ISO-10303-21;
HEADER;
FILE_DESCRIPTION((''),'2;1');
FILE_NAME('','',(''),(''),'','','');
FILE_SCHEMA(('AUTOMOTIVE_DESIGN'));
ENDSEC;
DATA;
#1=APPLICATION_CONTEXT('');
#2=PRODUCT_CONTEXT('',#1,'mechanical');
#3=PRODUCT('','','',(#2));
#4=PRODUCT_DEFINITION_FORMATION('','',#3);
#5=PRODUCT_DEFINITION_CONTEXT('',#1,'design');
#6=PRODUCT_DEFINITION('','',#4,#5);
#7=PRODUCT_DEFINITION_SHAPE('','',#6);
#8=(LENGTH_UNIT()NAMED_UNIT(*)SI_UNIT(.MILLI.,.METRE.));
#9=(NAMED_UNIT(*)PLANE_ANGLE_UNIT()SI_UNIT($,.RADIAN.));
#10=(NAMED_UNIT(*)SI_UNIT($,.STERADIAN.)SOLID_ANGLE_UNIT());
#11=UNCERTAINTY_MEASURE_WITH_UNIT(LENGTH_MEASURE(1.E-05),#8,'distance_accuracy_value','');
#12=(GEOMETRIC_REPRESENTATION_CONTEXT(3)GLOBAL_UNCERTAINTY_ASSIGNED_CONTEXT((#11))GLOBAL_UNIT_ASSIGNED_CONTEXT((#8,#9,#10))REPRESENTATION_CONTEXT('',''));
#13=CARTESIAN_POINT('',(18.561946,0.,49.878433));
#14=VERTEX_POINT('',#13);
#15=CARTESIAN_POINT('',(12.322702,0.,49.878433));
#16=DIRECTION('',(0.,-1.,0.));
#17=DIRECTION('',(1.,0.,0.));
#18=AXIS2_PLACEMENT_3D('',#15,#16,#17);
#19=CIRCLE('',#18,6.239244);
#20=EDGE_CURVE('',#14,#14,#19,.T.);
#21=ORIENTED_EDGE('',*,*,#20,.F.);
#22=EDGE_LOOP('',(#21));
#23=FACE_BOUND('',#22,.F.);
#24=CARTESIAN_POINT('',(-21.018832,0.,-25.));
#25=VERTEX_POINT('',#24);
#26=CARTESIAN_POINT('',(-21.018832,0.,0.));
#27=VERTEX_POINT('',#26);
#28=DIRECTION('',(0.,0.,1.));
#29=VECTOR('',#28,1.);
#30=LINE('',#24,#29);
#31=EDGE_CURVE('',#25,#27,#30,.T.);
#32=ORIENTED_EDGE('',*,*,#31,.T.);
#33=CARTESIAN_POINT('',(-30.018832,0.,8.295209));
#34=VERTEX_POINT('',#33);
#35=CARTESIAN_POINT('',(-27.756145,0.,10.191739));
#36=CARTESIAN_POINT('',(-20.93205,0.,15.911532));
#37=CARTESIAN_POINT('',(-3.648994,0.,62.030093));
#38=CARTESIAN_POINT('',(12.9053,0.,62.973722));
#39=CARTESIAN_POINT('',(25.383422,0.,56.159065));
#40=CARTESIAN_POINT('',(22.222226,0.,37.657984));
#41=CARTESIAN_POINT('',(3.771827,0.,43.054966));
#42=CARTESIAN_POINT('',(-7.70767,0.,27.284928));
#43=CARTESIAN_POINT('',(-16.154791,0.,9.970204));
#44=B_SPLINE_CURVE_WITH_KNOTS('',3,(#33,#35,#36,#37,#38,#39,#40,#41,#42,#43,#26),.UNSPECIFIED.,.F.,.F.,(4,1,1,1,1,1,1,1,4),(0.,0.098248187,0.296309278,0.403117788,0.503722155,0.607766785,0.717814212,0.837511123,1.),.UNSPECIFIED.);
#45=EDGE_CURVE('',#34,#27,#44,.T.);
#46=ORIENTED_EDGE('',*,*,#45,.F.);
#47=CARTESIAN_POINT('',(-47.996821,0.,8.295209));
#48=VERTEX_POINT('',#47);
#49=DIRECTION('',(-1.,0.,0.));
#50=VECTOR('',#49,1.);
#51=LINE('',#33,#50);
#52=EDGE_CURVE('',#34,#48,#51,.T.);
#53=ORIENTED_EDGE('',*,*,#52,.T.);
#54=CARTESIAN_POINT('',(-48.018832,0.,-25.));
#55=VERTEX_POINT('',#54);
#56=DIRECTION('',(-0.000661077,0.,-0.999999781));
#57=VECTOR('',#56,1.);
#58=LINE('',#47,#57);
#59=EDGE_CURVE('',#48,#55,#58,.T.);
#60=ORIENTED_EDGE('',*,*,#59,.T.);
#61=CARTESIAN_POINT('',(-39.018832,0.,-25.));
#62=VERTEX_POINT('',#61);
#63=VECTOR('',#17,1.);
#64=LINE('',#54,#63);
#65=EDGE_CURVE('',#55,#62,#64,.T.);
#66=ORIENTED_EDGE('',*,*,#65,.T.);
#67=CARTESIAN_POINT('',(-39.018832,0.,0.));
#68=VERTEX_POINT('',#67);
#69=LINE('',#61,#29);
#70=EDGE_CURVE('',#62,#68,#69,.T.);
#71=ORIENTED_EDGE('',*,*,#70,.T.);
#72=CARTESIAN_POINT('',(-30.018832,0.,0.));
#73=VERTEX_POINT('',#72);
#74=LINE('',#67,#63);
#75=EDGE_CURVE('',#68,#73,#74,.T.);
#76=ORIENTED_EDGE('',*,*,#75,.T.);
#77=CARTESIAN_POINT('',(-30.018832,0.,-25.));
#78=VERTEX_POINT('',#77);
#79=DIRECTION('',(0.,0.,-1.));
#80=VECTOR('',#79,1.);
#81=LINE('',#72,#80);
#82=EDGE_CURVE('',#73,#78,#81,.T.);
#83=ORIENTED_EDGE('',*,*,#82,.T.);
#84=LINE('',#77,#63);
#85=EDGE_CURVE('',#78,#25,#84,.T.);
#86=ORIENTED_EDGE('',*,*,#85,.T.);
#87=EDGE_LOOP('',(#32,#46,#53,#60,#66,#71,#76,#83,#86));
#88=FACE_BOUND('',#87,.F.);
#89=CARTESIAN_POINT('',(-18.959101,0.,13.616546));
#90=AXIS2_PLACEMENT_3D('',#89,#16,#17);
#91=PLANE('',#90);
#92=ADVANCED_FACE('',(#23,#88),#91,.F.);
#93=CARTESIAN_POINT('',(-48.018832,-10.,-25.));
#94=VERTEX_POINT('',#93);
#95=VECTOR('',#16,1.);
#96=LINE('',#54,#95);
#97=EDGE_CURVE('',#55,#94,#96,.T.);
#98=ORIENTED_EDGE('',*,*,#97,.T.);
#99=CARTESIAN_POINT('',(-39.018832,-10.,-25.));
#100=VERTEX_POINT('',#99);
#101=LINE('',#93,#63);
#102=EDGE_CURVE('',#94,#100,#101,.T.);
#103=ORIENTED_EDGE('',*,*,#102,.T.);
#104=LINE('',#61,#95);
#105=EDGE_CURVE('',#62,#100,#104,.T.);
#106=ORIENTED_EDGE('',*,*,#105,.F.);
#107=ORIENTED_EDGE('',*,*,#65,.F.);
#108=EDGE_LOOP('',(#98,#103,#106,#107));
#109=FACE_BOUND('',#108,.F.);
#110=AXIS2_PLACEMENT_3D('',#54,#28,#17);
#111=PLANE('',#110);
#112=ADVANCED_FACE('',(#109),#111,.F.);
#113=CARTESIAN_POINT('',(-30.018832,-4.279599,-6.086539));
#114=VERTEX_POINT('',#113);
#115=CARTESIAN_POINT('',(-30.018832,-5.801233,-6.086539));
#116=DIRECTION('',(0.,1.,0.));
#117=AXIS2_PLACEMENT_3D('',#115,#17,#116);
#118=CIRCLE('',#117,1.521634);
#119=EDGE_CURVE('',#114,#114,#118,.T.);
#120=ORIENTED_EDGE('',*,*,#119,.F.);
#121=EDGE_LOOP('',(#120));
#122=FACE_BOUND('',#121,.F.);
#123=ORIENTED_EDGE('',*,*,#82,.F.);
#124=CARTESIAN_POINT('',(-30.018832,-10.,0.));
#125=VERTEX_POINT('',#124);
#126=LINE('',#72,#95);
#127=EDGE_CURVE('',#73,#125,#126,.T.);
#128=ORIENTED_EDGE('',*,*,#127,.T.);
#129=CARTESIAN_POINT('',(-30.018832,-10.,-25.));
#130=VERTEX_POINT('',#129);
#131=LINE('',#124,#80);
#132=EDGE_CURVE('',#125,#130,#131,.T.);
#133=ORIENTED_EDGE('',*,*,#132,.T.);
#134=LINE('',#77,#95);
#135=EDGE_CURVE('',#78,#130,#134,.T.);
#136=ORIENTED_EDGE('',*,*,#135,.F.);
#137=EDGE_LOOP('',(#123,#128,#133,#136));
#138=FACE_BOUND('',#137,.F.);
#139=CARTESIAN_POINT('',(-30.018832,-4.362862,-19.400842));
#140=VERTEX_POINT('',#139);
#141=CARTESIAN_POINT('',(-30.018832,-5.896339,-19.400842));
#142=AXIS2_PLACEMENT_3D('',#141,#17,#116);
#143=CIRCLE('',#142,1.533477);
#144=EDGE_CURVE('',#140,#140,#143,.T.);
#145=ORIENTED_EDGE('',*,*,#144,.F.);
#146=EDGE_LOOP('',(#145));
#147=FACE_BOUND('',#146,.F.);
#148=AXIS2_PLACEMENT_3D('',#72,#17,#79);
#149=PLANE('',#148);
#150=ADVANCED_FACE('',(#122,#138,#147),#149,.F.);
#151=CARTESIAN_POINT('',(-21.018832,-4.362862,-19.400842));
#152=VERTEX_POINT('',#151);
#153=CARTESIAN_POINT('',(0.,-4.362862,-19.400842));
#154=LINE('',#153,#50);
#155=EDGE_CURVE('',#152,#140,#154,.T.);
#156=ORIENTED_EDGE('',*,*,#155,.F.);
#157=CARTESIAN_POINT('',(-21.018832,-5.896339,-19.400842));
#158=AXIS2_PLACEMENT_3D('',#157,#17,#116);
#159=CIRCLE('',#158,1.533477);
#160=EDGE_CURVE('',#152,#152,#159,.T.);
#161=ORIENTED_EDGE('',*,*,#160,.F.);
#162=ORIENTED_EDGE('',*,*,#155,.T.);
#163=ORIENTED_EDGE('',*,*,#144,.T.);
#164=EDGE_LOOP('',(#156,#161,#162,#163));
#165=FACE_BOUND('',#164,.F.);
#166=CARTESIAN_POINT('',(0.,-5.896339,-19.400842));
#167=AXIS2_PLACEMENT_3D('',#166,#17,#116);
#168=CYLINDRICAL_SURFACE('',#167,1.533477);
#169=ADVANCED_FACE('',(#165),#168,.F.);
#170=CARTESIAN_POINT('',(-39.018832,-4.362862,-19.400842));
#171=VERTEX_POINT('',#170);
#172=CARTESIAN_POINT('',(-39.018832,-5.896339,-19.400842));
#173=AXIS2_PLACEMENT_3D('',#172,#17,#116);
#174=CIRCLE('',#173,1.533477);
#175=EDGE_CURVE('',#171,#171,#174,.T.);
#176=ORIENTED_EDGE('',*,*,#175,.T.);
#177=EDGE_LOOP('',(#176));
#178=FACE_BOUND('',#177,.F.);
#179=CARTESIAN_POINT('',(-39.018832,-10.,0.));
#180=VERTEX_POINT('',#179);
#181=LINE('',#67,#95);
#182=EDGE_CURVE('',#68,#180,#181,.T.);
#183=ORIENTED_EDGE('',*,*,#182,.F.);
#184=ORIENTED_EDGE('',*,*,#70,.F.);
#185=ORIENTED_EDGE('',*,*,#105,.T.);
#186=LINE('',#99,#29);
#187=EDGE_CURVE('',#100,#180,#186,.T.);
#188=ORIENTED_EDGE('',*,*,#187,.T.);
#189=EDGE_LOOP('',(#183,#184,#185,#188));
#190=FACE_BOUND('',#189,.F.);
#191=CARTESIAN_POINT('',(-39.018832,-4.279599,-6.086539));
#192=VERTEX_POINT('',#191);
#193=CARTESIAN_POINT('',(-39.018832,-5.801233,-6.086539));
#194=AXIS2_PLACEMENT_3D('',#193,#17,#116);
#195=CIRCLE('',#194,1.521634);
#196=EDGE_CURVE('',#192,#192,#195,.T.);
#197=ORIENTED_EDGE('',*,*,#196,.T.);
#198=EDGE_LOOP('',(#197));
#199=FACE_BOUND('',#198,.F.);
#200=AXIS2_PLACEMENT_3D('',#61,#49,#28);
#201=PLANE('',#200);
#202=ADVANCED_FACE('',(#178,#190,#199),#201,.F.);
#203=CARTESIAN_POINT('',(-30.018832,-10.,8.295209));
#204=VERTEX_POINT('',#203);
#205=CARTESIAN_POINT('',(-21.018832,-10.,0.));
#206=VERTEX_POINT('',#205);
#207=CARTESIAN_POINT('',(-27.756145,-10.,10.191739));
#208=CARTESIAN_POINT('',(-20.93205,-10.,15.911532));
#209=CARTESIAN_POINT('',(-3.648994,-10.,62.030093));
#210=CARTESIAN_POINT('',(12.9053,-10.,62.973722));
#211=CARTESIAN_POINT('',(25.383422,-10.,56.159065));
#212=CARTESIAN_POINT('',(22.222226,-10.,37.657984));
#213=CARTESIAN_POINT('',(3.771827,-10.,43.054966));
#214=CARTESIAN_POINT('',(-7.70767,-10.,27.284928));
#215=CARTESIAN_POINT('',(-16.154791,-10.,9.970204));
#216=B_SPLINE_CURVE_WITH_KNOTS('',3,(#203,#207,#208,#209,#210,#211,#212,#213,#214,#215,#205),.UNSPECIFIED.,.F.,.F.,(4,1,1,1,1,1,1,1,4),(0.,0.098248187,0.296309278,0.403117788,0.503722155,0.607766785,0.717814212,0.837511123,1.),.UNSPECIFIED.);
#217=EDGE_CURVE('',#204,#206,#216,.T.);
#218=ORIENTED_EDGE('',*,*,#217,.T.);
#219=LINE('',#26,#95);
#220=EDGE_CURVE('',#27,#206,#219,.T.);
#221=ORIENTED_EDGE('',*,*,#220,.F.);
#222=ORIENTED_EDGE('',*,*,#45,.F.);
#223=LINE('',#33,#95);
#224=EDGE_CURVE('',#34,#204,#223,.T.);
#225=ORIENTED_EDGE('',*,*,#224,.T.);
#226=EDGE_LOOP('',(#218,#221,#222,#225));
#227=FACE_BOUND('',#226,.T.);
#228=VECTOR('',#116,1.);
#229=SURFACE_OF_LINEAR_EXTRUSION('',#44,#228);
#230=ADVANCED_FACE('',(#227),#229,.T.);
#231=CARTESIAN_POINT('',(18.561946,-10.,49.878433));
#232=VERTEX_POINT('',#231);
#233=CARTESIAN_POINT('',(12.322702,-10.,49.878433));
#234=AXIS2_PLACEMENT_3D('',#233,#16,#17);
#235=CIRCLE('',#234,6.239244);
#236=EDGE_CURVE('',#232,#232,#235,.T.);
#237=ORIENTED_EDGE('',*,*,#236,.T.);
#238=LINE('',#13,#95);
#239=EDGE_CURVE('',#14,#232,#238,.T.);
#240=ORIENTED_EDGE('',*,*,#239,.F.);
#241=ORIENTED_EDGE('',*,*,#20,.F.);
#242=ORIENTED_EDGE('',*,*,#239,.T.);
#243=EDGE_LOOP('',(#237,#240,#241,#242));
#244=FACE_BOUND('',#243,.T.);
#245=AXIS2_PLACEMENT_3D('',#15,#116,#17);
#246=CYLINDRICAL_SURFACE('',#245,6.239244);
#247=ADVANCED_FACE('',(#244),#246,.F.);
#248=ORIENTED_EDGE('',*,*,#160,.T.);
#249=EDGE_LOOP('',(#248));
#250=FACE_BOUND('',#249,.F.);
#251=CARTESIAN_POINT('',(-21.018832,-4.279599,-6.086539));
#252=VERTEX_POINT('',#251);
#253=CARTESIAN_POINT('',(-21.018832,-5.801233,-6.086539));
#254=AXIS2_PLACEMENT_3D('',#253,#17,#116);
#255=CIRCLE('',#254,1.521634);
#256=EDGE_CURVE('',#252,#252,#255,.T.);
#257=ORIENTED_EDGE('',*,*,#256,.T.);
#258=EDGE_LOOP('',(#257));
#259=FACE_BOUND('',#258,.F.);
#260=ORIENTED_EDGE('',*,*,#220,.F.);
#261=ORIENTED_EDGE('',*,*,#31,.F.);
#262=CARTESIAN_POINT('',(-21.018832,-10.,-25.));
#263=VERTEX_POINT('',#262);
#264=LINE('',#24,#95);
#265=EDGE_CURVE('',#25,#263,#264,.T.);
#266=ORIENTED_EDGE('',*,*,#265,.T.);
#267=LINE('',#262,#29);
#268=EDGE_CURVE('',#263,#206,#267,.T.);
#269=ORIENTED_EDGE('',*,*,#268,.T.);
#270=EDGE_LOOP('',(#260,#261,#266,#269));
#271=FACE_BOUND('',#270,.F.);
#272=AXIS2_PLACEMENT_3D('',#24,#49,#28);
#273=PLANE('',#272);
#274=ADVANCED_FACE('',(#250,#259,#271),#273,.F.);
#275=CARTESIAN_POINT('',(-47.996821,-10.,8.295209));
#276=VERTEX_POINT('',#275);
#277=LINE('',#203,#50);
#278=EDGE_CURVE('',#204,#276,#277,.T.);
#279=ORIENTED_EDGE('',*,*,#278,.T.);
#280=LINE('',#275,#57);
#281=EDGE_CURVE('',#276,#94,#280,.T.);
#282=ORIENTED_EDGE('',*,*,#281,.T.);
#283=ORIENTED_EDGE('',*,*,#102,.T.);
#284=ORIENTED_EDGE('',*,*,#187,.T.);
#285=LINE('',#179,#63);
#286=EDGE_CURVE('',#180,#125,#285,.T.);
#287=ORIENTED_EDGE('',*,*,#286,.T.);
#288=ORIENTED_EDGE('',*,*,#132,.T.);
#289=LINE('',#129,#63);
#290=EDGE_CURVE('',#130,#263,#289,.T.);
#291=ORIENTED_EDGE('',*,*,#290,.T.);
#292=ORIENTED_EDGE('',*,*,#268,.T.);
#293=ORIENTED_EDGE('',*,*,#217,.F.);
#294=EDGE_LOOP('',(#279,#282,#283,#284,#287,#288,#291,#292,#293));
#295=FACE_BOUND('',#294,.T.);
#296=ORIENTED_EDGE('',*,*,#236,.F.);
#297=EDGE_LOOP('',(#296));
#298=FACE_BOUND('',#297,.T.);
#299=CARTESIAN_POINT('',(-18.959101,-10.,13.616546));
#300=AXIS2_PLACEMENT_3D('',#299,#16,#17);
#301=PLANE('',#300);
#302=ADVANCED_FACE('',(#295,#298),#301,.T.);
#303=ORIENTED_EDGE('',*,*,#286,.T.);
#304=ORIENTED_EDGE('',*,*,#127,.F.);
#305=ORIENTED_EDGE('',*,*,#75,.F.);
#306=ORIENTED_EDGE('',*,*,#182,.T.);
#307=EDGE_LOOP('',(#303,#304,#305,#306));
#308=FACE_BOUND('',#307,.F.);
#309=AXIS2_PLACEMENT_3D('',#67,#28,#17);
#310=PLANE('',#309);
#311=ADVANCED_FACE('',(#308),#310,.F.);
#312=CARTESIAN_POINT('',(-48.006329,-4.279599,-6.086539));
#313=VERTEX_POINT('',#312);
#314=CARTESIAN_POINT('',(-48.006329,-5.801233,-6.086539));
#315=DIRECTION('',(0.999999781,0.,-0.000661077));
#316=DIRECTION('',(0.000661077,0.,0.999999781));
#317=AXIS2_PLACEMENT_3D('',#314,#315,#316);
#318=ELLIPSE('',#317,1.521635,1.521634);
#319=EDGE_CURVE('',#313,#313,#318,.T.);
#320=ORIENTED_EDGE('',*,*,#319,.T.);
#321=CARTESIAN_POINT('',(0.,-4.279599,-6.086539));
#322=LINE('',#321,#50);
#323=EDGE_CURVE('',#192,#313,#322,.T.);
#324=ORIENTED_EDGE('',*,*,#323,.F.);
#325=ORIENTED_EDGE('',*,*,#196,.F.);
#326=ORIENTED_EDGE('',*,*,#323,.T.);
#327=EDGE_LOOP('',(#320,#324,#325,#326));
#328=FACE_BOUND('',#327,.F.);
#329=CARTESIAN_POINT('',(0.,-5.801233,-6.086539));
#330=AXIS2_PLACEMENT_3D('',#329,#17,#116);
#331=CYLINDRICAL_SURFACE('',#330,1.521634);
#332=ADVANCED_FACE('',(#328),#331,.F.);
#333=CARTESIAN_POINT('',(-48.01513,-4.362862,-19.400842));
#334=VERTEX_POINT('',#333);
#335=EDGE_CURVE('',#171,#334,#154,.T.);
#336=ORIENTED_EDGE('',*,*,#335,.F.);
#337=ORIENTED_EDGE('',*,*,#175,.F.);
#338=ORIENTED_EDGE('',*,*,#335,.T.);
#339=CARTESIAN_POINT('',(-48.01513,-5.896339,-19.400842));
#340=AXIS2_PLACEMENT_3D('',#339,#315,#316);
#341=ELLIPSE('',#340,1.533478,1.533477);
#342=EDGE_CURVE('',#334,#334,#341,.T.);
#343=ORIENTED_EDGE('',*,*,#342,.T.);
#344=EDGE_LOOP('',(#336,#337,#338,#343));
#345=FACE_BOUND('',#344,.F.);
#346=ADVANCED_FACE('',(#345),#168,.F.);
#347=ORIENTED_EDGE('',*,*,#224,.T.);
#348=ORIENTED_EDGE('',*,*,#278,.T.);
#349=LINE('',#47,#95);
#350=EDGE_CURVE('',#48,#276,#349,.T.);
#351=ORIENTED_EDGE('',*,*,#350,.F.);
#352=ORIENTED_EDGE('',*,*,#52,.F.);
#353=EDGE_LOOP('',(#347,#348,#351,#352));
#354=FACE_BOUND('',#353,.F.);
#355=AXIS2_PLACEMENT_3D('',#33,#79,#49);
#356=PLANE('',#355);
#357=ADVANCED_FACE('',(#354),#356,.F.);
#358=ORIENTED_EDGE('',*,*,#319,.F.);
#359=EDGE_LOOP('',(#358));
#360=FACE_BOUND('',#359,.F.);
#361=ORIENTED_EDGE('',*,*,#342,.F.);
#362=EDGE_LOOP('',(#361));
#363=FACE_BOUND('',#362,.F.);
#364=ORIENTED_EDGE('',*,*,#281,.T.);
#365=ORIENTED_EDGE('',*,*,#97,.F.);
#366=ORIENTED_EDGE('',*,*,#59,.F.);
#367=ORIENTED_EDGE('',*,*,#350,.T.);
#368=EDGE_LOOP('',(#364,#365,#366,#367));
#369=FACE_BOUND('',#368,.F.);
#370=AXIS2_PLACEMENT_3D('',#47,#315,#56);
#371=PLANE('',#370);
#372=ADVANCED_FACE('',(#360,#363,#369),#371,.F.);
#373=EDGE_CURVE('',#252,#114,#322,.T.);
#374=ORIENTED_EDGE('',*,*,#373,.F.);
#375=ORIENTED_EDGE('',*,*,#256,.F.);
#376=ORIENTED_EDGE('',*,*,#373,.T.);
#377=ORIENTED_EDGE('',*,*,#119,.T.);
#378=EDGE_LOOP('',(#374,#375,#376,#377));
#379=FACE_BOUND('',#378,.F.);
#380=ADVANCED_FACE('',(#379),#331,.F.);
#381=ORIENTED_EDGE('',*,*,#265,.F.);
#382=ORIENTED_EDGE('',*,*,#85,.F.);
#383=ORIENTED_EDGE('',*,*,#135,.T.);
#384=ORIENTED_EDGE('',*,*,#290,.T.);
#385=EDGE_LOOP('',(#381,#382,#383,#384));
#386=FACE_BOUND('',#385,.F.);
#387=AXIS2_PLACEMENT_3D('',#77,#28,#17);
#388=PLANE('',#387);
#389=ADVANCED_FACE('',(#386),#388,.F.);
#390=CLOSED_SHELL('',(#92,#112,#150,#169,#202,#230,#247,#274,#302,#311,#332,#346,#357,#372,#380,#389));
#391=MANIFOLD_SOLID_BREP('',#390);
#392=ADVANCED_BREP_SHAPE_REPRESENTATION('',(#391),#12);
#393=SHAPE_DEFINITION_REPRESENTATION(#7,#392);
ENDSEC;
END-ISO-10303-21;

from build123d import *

# Parameters (mm, degrees)
F0_R     = 6.2392440764
F1_DEPTH = 10
F2_R     = 1.5216344036
F2_R_2   = 1.5334772141
F3_DEPTH = 88


with BuildPart() as f1:
    # F0 (on Front) → F1 (new body)
    with BuildSketch(Plane.XZ):
        with BuildLine():
            Line((-47.9968211239, 8.2952087082), (-48.0188318386, -25))
            Line((-48.0188318386, -25), (-39.0188318386, -25))
            Line((-39.0188318386, -25), (-39.0188318386, 0))
            Line((-39.0188318386, 0), (-30.0188318386, 0))
            Line((-30.0188318386, 0), (-30.0188318386, -25))
            Line((-30.0188318386, -25), (-21.0188318386, -25))
            Line((-21.0188318386, -25), (-21.0188318386, 0))
            add(Edge.make_bspline(
                [(-30.0188318386, 8.2952087082), (-27.756145266, 10.1917385119), (-20.9320496226, 15.9115323746), (-3.6489941332, 62.0300929768), (12.9052995488, 62.9737222559), (25.3834224743, 56.1590653034), (22.2222261346, 37.6579842868), (3.771827141, 43.0549659429), (-7.7076701904, 27.2849277684), (-16.1547910439, 9.9702043483), (-21.0188318386, 0)],
                knots=[0, 0, 0, 0, 0.0982481871, 0.2963092785, 0.4031177884, 0.5037221554, 0.6077667855, 0.7178142121, 0.8375111227, 1, 1, 1, 1], degree=3))
            Line((-30.0188318386, 8.2952087082), (-47.9968211239, 8.2952087082))
        make_face()
        with Locations((12.3227015138, 49.8784333467)):
            Circle(F0_R, mode=Mode.SUBTRACT)
    extrude(amount=F1_DEPTH)

    # F2 (on Right) → F3 (cut)
    with BuildSketch(Plane.YZ):
        with Locations((-5.801233463, -6.0865385458)):
            Circle(F2_R)
        with Locations((-5.8963387273, -19.4008424878)):
            Circle(F2_R_2)
    extrude(amount=-F3_DEPTH, mode=Mode.SUBTRACT)


solid = f1.part
